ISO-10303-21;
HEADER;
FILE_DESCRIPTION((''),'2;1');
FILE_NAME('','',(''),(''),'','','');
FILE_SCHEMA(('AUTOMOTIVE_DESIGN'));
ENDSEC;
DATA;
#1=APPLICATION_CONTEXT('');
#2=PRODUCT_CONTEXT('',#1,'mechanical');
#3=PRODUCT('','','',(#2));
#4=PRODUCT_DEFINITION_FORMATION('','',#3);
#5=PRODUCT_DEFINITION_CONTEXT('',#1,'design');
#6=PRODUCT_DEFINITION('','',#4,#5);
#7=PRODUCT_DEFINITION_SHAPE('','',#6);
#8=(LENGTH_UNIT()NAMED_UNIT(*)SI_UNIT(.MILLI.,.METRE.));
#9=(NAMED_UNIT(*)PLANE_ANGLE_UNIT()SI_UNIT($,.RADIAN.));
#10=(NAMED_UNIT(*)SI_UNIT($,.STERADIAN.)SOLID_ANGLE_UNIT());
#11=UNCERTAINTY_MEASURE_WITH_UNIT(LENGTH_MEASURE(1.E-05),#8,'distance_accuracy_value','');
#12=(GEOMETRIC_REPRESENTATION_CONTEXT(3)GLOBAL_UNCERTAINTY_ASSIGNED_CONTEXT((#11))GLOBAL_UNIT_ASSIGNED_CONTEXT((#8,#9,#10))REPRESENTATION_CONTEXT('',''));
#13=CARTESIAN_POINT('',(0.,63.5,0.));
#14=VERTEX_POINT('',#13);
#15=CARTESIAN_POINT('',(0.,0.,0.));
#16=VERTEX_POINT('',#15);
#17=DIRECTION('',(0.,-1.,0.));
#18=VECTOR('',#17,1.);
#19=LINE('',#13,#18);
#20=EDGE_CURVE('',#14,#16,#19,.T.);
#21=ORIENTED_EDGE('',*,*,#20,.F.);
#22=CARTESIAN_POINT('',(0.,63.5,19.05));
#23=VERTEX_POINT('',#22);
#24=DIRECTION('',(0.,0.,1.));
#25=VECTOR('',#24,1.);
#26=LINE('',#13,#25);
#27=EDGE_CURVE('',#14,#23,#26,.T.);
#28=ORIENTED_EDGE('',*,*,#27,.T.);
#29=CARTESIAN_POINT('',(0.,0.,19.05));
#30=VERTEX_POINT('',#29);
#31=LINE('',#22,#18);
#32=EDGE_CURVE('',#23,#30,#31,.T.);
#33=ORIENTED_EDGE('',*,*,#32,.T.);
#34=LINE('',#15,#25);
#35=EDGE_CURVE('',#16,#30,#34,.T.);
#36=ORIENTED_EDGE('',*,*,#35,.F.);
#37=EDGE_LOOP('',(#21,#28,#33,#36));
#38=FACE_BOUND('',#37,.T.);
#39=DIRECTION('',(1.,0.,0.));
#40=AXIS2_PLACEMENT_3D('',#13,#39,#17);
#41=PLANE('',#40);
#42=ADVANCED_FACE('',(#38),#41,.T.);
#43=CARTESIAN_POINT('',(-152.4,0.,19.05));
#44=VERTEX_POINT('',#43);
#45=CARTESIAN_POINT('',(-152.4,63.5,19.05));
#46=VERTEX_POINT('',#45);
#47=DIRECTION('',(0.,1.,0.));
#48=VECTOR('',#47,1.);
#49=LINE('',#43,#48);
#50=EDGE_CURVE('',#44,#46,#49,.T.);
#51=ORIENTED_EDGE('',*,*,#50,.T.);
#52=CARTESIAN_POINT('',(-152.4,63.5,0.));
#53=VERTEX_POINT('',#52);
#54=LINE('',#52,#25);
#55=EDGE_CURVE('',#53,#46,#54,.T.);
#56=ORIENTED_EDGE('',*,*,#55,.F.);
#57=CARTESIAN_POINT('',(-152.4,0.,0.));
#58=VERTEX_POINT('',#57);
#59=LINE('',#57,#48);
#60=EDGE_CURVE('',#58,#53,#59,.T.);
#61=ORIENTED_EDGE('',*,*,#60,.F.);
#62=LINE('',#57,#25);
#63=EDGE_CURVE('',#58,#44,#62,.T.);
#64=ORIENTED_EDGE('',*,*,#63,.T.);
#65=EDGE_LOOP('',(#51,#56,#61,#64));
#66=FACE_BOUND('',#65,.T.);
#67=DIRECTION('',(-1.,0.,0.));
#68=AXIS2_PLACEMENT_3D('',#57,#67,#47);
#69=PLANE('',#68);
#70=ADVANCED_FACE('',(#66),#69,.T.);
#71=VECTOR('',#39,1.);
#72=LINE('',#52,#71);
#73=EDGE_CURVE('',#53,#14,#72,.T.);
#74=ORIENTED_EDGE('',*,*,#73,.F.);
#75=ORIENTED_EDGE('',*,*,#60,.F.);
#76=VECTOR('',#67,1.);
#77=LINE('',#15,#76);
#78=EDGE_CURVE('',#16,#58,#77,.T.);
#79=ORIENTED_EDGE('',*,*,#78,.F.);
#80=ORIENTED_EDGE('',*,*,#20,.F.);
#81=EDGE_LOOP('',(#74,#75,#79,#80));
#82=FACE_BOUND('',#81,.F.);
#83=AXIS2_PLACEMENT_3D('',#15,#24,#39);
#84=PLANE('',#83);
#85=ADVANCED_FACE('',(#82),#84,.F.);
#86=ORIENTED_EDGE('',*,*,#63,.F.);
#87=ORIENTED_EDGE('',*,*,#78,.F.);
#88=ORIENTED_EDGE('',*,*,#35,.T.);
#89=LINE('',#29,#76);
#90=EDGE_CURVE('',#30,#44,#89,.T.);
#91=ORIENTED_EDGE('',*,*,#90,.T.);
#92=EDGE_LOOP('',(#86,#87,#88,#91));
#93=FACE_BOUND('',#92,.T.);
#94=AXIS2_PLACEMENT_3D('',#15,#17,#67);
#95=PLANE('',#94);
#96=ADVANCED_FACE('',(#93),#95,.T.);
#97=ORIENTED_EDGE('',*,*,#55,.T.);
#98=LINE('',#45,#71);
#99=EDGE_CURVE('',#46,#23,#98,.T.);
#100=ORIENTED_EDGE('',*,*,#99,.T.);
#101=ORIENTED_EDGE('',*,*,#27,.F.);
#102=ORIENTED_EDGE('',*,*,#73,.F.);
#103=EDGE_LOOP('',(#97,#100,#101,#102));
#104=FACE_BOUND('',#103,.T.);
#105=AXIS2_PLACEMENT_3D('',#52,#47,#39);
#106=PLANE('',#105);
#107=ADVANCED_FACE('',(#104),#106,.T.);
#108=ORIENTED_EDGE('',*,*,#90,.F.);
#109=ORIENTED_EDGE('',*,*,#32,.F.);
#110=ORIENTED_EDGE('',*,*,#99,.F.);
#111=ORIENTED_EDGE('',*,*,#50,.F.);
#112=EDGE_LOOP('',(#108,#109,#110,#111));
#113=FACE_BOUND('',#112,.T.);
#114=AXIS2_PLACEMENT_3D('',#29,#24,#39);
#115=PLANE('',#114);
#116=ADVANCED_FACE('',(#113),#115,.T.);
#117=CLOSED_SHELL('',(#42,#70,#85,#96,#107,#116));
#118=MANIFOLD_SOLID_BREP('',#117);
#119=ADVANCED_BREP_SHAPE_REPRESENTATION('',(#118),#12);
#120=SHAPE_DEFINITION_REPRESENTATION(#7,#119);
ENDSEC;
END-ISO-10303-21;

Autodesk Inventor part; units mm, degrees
ref_plane "YZ Plane" through (0, 0, 0) normal (1, 0, 0) x (0, 1, 0)
ref_plane "XZ Plane" through (0, 0, 0) normal (0, 1, 0) x (-1, 0, 0)
ref_plane "XY Plane" through (0, 0, 0) normal (0, 0, 1) x (1, 0, 0)
sketch "Sketch1" plane through (0, 0, 0) normal (0, 0, 1) x (1, 0, 0)
  line L0 (-152.4, 63.5) -> (0, 63.5)
  line L1 (0, 63.5) -> (0, 0)
  line L2 (0, 0) -> (-152.4, 0)
  line L3 (-152.4, 0) -> (-152.4, 63.5)
  dimension "d0" = 152.4
  dimension "d1" = 63.5
extrude "Extrusion1" add sketch "Sketch1" along normal blind 19.05
properties part number "6 in side"
